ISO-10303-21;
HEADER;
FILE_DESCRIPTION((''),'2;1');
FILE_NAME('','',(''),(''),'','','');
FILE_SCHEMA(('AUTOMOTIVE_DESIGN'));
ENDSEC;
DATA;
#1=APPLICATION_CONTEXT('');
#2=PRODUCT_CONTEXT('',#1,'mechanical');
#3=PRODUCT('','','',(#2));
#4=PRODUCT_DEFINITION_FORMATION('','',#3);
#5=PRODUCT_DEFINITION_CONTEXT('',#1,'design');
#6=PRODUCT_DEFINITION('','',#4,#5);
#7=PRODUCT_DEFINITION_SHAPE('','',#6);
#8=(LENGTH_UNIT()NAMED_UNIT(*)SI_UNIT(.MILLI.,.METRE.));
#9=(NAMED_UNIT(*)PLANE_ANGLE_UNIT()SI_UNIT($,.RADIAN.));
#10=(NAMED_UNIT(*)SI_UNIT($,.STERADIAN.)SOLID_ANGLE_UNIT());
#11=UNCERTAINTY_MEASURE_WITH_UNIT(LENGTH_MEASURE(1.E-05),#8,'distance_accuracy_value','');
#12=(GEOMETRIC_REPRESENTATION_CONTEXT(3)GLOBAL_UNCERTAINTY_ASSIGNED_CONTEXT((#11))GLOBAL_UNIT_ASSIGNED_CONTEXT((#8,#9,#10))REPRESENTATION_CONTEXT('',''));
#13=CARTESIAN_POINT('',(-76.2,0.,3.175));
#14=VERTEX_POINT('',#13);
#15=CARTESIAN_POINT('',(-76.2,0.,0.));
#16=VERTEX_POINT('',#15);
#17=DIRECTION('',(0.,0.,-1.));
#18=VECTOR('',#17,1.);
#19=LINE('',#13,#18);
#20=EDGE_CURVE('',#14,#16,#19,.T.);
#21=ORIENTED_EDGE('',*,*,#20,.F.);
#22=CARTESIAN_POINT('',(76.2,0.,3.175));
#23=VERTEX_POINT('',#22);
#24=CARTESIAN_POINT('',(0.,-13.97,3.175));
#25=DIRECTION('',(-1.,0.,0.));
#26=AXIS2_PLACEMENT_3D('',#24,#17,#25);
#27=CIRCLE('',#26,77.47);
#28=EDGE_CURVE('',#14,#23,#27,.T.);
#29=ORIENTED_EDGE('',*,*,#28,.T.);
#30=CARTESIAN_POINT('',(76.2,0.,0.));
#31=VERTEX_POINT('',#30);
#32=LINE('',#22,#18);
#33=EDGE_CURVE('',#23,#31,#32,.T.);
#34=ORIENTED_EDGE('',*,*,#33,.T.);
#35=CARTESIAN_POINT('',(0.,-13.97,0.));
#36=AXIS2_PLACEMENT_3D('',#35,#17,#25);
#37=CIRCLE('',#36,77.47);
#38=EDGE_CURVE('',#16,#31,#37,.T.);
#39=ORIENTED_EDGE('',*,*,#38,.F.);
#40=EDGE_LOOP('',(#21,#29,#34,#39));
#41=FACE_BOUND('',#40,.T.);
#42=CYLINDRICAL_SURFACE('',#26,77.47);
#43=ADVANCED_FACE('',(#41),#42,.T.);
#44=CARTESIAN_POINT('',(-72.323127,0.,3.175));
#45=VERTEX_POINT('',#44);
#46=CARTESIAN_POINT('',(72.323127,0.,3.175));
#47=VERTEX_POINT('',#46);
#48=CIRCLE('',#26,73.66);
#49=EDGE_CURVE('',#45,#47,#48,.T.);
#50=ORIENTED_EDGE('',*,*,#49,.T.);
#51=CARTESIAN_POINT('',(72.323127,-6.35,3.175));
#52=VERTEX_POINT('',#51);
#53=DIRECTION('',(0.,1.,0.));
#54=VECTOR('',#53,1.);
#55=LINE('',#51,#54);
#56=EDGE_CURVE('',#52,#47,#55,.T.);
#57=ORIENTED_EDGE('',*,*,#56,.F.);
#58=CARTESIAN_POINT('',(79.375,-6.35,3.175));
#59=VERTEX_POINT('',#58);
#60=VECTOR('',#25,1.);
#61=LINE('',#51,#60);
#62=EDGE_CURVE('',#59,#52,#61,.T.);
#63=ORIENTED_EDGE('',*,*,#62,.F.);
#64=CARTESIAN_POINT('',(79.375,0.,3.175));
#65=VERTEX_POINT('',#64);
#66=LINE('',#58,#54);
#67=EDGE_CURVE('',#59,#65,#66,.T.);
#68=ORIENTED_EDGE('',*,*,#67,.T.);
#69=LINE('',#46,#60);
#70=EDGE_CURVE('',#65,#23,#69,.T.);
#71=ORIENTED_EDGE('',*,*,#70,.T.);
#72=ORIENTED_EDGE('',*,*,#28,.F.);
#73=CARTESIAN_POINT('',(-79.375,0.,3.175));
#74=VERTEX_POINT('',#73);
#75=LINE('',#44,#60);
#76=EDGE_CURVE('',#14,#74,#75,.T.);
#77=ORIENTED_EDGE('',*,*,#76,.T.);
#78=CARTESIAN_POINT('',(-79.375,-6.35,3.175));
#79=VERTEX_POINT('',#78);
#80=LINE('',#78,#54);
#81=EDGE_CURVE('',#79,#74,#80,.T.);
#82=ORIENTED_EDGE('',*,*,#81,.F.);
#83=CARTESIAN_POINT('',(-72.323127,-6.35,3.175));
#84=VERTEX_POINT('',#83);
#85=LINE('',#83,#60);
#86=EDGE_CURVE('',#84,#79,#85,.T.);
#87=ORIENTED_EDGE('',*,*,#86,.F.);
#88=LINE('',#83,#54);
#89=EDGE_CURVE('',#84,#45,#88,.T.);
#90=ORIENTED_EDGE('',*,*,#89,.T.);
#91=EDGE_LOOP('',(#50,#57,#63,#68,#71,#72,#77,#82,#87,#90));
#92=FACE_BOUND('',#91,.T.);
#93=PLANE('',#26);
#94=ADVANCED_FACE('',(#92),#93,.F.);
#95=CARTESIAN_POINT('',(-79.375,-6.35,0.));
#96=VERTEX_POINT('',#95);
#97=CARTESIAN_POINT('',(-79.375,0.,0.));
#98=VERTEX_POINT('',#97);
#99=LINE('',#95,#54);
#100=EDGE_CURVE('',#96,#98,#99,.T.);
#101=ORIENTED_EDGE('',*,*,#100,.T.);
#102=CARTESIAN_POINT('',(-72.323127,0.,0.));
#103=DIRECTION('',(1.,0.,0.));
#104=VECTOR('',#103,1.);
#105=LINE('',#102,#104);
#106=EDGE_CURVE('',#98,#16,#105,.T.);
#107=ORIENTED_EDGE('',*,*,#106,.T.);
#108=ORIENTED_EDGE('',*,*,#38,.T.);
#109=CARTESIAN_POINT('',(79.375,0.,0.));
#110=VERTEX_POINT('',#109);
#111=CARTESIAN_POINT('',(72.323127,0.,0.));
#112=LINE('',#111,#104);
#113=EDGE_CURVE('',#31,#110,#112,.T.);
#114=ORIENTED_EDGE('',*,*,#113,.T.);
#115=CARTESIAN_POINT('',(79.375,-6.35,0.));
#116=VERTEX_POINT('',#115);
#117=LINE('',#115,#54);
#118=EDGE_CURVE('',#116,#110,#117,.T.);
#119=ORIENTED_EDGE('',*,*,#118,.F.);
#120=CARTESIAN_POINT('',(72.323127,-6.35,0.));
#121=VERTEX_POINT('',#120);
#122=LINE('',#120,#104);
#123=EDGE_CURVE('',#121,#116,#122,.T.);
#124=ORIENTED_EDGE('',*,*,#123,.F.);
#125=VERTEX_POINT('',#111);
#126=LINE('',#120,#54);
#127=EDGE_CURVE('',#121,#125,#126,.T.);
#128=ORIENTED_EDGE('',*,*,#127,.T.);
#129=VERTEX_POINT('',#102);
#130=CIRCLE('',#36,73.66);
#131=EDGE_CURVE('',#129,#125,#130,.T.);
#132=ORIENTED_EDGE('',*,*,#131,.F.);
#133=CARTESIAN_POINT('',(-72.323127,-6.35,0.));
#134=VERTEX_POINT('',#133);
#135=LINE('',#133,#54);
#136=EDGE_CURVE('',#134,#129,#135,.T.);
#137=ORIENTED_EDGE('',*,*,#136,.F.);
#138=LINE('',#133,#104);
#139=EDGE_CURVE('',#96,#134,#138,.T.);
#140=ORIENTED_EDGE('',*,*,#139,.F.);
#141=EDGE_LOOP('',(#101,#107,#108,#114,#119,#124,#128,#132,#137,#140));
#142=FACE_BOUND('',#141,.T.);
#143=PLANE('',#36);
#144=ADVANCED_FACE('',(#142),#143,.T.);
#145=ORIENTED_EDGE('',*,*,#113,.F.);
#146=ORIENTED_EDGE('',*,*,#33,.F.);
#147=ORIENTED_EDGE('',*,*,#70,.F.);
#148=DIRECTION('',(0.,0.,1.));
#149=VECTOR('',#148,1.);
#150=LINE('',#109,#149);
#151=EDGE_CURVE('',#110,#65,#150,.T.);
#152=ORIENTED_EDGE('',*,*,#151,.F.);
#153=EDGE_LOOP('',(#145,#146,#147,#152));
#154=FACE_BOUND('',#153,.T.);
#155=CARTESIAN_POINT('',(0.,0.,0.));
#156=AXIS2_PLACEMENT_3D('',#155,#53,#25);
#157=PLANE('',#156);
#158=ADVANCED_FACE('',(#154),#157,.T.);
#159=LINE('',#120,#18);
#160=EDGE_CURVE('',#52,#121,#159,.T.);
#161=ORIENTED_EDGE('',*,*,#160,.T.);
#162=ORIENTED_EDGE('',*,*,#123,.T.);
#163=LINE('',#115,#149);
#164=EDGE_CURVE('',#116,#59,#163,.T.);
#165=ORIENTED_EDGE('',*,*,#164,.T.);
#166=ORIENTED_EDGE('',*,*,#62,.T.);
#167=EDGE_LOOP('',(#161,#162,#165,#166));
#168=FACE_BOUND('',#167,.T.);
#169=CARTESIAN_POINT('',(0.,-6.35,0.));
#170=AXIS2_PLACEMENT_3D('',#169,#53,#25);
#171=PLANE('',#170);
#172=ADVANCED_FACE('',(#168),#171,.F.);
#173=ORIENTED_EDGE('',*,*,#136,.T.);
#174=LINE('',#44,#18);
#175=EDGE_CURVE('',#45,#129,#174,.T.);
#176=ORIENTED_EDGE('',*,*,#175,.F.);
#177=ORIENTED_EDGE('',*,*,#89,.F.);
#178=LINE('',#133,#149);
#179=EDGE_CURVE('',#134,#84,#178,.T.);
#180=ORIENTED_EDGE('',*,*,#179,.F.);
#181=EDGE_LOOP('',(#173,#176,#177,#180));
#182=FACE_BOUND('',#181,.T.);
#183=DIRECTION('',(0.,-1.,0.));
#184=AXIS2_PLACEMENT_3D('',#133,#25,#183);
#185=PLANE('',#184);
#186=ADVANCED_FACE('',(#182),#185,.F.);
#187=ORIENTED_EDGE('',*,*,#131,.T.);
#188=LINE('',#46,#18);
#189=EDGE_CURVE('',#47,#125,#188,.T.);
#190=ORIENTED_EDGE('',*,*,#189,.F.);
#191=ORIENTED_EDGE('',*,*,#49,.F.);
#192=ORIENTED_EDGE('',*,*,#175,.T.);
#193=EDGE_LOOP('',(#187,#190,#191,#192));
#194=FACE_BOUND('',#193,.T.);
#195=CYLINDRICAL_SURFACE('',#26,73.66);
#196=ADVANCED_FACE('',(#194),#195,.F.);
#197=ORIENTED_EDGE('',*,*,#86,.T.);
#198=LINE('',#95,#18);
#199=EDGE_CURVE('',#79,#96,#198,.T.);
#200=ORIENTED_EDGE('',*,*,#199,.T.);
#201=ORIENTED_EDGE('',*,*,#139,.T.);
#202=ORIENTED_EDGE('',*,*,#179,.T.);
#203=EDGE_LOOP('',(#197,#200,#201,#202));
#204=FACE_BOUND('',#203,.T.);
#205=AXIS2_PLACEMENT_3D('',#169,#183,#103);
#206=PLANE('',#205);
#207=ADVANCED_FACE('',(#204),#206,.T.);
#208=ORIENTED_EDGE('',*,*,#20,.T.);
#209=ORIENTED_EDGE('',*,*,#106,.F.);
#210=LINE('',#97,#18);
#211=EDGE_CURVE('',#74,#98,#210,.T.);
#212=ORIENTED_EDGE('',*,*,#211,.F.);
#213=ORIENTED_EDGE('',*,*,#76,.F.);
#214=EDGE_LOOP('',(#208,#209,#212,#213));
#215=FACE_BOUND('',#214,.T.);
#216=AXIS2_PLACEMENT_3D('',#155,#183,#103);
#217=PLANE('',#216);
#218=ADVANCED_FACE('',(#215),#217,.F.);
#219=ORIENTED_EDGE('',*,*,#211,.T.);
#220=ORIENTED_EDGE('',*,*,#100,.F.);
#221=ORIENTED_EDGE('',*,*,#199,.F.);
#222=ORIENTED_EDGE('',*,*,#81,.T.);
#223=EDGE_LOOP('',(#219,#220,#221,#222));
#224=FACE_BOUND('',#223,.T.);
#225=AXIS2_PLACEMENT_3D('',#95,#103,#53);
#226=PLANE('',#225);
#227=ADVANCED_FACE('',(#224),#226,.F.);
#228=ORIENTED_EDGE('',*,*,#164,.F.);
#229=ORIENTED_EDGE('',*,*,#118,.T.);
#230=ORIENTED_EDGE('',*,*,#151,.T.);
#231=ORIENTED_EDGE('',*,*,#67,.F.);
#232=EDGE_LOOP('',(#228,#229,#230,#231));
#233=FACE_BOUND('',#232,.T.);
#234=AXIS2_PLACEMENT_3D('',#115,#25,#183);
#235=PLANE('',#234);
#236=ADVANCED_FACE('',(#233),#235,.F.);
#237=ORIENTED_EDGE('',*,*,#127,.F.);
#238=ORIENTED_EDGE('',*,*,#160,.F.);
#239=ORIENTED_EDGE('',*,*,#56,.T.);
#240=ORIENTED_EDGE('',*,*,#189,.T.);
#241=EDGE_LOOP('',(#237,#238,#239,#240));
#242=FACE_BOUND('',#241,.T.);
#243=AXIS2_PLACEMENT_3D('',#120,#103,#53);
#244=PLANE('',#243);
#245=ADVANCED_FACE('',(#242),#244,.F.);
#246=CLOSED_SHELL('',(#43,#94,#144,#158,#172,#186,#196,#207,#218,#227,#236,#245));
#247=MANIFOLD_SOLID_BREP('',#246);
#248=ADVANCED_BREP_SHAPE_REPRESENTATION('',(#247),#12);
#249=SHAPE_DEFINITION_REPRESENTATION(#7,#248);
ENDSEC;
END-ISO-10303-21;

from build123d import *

# Parameters (mm, degrees)
BOSS_EXTRUDE1_DEPTH = 3.175
SKETCH2_W           = 7.051872993
SKETCH2_H           = 3.175
BOSS_EXTRUDE2_DEPTH = 6.35


with BuildPart() as part:
    # Sketch1 → Boss-Extrude1 (new body)
    with BuildSketch(Plane.XY):
        with BuildLine():
            Line((-76.2, 0), (-72.323127007, 0))
            ThreePointArc((-72.323127007, 0), (0, 59.69), (72.323127007, 0))
            Line((72.323127007, 0), (76.2, 0))
            ThreePointArc((76.2, 0), (0, 63.5), (-76.2, 0))
        make_face()
    extrude(amount=BOSS_EXTRUDE1_DEPTH)

    # Sketch2 → Boss-Extrude2 (add)
    with BuildSketch(Plane.XZ):
        with Locations((75.849063504, 1.5875)):
            Rectangle(SKETCH2_W, SKETCH2_H)
        with Locations((-75.849063504, 1.5875)):
            Rectangle(SKETCH2_W, SKETCH2_H)
    extrude(amount=BOSS_EXTRUDE2_DEPTH)


solid = part.part
